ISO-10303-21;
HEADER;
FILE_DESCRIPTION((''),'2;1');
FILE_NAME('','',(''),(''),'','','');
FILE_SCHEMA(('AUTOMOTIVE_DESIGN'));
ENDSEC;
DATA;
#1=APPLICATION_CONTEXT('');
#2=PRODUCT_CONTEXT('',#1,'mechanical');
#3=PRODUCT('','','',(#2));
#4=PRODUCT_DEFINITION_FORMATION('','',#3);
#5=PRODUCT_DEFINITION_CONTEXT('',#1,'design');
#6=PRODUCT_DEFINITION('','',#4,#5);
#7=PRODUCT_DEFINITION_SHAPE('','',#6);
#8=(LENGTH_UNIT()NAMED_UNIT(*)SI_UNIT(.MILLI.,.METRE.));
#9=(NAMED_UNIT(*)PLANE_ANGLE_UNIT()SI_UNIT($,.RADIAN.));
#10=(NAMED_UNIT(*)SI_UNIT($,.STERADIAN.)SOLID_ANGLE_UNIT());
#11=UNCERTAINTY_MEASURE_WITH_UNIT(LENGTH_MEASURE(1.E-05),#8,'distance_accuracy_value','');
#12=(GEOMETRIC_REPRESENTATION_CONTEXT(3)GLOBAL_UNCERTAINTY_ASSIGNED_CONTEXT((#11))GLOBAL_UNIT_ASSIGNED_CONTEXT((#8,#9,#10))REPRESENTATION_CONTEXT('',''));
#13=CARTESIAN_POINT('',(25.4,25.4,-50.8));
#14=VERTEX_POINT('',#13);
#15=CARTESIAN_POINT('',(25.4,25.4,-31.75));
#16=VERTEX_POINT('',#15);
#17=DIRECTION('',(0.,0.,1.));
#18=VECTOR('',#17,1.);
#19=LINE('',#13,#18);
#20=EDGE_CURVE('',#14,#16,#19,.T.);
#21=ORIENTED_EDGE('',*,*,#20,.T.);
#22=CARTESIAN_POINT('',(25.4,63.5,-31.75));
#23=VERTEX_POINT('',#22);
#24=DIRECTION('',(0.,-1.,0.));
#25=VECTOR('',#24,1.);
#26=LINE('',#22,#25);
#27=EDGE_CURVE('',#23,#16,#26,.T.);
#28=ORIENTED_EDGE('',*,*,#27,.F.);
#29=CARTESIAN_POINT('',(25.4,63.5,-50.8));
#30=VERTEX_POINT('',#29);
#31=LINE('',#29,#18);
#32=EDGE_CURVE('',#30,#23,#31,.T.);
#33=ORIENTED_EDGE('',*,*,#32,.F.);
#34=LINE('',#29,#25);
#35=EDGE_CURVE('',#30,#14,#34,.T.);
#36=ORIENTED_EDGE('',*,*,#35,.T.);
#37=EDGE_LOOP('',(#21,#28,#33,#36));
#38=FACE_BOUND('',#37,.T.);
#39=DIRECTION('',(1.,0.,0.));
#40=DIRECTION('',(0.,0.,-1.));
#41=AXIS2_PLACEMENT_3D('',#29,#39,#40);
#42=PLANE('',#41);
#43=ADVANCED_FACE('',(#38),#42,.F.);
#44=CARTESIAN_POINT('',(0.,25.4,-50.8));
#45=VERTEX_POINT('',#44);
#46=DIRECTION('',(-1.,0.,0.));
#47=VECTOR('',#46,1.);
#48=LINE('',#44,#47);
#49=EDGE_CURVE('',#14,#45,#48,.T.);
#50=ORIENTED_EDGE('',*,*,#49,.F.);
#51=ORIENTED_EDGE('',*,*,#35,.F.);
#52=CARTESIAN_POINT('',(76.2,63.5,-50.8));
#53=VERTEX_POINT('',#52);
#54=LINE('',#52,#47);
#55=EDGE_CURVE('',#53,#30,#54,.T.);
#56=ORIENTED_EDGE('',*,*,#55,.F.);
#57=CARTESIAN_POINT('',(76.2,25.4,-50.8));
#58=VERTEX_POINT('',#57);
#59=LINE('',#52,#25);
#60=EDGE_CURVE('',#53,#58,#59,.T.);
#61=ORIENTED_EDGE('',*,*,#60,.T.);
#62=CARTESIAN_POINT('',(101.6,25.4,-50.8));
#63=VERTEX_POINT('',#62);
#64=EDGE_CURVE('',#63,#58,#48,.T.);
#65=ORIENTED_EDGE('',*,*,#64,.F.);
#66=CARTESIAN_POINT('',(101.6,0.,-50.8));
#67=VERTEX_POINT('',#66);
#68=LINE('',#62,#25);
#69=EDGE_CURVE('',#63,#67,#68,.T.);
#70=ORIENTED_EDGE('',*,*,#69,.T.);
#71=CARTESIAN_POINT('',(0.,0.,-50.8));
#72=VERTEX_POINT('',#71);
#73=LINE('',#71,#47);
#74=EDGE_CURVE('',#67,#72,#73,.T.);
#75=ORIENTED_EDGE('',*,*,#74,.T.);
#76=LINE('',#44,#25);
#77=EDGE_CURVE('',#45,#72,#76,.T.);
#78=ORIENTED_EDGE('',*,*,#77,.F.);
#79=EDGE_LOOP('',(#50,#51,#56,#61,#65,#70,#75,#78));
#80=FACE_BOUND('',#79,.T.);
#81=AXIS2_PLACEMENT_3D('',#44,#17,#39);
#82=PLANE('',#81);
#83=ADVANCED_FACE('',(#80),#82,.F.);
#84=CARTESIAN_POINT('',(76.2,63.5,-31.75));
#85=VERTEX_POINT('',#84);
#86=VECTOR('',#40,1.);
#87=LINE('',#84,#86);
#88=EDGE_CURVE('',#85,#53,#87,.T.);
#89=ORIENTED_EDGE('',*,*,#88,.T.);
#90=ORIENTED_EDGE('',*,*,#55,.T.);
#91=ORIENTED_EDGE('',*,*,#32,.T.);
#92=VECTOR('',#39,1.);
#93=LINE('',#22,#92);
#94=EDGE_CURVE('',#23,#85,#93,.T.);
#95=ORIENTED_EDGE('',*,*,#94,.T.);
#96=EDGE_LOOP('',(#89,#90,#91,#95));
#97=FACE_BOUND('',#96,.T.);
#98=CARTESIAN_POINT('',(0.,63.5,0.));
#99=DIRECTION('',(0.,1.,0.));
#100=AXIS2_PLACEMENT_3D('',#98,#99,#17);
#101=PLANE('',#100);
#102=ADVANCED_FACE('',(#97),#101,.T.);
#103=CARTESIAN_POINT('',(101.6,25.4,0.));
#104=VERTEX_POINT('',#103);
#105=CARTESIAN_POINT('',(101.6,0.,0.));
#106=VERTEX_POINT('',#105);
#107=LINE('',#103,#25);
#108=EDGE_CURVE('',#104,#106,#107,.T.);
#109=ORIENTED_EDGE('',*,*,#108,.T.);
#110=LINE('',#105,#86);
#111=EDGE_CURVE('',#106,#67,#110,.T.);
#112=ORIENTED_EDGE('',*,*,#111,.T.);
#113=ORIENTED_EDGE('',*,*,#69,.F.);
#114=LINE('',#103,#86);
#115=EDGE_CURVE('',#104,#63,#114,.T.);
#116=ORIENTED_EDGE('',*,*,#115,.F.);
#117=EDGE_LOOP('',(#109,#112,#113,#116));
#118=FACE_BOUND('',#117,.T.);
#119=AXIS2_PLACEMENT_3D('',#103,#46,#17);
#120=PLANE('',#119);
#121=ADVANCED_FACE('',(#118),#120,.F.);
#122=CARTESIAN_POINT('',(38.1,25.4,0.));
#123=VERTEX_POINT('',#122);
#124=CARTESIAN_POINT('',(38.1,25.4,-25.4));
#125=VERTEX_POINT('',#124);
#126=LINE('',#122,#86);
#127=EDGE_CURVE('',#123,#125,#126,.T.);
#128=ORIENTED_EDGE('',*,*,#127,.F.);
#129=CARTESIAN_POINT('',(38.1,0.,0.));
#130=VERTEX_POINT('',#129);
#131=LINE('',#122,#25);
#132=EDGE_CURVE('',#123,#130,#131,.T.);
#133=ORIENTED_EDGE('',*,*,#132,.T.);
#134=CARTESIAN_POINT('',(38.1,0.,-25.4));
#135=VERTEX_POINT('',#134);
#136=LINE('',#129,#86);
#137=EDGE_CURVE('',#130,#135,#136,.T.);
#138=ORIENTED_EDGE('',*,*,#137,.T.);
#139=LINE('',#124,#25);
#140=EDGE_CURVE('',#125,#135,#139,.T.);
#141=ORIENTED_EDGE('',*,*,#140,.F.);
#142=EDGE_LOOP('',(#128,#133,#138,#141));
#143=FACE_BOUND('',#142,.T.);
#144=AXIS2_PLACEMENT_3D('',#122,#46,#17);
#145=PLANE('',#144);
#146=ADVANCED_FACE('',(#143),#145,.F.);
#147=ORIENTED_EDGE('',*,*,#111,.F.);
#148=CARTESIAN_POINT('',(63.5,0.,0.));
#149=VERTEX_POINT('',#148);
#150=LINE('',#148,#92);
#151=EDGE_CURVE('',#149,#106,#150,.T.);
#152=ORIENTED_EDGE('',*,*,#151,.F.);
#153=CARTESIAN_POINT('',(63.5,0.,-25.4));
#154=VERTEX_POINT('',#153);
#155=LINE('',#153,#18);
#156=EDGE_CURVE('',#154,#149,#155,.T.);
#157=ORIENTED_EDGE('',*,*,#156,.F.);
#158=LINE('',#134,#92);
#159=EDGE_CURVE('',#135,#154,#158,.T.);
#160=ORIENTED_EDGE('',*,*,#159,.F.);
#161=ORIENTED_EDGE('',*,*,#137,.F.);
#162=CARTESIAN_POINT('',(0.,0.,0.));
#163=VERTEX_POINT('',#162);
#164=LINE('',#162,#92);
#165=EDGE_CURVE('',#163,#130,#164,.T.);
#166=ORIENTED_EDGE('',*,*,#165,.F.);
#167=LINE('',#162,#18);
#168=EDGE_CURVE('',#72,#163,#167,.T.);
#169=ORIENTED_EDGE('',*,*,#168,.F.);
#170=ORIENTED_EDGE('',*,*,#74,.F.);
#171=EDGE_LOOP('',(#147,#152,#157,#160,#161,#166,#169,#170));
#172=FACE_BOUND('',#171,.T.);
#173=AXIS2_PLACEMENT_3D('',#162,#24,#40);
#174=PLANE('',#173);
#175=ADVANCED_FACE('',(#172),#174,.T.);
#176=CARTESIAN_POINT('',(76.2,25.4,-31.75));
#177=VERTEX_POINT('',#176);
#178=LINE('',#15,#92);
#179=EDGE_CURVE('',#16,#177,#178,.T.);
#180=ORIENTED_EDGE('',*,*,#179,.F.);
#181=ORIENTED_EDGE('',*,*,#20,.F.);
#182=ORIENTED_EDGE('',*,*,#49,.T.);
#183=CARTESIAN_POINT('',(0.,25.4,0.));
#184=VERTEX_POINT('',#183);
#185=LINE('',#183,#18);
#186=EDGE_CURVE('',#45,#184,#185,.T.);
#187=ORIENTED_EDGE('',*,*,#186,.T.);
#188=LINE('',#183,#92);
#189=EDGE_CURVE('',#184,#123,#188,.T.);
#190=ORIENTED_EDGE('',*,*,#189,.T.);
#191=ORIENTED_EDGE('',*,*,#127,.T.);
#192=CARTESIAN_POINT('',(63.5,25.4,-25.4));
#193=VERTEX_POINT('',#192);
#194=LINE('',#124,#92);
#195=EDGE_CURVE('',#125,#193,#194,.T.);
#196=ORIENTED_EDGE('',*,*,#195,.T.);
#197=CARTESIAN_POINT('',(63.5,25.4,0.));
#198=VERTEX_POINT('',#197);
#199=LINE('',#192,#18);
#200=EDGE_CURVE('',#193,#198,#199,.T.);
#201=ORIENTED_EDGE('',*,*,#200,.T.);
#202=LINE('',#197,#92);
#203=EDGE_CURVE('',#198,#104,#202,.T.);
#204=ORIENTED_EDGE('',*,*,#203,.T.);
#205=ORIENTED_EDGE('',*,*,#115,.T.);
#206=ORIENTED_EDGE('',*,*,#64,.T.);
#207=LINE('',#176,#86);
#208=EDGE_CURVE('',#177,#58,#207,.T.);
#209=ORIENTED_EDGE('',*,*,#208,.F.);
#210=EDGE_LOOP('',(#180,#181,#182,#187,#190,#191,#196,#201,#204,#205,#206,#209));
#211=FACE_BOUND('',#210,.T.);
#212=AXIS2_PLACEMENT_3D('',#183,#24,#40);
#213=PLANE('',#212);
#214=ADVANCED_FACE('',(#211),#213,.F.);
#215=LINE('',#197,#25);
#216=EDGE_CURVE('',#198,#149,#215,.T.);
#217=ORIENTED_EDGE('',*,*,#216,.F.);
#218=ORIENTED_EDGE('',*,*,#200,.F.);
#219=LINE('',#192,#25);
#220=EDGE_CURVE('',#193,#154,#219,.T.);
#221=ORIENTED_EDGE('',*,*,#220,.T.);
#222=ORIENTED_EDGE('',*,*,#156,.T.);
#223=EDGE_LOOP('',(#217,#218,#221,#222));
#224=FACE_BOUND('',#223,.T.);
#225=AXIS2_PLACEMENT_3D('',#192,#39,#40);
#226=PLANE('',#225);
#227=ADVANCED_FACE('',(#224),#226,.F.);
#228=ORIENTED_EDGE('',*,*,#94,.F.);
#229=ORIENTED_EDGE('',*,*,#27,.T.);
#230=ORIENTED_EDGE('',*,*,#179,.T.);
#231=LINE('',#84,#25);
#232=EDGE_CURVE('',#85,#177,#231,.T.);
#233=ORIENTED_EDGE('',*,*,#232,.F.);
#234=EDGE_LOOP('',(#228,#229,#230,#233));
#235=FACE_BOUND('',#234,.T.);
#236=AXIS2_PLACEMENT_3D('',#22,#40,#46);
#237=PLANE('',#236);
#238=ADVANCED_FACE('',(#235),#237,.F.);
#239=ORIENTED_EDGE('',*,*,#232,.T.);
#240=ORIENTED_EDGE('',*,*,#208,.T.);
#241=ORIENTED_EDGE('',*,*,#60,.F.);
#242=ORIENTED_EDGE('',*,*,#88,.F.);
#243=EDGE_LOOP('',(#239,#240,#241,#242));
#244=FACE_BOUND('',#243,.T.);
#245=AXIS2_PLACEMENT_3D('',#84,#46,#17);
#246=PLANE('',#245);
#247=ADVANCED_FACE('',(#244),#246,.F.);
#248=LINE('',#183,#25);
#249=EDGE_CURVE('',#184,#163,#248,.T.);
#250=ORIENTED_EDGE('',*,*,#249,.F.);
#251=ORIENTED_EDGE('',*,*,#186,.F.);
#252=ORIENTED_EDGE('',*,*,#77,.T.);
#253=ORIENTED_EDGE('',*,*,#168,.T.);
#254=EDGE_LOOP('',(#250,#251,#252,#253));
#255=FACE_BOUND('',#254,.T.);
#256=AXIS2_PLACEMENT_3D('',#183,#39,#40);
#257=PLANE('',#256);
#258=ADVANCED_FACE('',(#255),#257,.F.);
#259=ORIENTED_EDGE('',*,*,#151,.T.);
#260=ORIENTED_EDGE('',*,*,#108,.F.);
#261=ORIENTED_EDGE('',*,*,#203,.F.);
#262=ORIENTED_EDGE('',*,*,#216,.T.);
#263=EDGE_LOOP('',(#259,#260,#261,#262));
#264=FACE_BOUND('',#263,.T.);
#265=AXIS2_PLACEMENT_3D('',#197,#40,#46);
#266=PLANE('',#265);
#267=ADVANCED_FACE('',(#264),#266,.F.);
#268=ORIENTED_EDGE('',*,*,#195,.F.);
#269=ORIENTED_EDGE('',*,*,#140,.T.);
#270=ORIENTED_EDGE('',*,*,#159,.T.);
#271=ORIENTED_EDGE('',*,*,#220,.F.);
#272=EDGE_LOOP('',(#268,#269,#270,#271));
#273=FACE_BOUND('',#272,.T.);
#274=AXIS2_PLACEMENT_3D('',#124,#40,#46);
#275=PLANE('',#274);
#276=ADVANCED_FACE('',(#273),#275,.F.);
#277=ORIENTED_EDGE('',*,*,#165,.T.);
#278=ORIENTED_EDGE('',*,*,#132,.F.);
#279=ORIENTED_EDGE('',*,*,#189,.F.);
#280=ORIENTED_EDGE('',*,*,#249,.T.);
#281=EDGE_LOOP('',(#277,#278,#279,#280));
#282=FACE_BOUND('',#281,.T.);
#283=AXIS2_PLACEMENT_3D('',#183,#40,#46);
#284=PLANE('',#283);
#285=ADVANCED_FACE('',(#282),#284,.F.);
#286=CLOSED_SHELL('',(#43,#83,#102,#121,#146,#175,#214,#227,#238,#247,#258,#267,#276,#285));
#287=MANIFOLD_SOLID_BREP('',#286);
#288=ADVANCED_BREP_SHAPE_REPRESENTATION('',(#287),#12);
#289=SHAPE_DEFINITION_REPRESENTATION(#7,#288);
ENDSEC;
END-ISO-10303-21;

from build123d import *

# Parameters (mm, degrees)
BOSS_EXTRUDE1_DEPTH = 25.4
SKETCH6_W           = 50.8
SKETCH6_H           = 19.05
BOSS_EXTRUDE2_DEPTH = 38.1


with BuildPart() as part:
    # Sketch3 → Boss-Extrude1 (new body)
    with BuildSketch(Plane(origin=(0, 0, 0), x_dir=(1, 0, 0), z_dir=(0, 1, 0))):
        Polygon((38.1, 0), (38.1, 25.4), (63.5, 25.4), (63.5, 0), (101.6, 0), (101.6, 50.8), (0, 50.8), (0, 0), align=None)
    extrude(amount=BOSS_EXTRUDE1_DEPTH)

    # Sketch6 → Boss-Extrude2 (add)
    with BuildSketch(Plane(origin=(0, 25.4, 0), x_dir=(1, 0, 0), z_dir=(0, 1, 0))):
        with Locations((50.8, 41.275)):
            Rectangle(SKETCH6_W, SKETCH6_H)
    extrude(amount=BOSS_EXTRUDE2_DEPTH)


solid = part.part
